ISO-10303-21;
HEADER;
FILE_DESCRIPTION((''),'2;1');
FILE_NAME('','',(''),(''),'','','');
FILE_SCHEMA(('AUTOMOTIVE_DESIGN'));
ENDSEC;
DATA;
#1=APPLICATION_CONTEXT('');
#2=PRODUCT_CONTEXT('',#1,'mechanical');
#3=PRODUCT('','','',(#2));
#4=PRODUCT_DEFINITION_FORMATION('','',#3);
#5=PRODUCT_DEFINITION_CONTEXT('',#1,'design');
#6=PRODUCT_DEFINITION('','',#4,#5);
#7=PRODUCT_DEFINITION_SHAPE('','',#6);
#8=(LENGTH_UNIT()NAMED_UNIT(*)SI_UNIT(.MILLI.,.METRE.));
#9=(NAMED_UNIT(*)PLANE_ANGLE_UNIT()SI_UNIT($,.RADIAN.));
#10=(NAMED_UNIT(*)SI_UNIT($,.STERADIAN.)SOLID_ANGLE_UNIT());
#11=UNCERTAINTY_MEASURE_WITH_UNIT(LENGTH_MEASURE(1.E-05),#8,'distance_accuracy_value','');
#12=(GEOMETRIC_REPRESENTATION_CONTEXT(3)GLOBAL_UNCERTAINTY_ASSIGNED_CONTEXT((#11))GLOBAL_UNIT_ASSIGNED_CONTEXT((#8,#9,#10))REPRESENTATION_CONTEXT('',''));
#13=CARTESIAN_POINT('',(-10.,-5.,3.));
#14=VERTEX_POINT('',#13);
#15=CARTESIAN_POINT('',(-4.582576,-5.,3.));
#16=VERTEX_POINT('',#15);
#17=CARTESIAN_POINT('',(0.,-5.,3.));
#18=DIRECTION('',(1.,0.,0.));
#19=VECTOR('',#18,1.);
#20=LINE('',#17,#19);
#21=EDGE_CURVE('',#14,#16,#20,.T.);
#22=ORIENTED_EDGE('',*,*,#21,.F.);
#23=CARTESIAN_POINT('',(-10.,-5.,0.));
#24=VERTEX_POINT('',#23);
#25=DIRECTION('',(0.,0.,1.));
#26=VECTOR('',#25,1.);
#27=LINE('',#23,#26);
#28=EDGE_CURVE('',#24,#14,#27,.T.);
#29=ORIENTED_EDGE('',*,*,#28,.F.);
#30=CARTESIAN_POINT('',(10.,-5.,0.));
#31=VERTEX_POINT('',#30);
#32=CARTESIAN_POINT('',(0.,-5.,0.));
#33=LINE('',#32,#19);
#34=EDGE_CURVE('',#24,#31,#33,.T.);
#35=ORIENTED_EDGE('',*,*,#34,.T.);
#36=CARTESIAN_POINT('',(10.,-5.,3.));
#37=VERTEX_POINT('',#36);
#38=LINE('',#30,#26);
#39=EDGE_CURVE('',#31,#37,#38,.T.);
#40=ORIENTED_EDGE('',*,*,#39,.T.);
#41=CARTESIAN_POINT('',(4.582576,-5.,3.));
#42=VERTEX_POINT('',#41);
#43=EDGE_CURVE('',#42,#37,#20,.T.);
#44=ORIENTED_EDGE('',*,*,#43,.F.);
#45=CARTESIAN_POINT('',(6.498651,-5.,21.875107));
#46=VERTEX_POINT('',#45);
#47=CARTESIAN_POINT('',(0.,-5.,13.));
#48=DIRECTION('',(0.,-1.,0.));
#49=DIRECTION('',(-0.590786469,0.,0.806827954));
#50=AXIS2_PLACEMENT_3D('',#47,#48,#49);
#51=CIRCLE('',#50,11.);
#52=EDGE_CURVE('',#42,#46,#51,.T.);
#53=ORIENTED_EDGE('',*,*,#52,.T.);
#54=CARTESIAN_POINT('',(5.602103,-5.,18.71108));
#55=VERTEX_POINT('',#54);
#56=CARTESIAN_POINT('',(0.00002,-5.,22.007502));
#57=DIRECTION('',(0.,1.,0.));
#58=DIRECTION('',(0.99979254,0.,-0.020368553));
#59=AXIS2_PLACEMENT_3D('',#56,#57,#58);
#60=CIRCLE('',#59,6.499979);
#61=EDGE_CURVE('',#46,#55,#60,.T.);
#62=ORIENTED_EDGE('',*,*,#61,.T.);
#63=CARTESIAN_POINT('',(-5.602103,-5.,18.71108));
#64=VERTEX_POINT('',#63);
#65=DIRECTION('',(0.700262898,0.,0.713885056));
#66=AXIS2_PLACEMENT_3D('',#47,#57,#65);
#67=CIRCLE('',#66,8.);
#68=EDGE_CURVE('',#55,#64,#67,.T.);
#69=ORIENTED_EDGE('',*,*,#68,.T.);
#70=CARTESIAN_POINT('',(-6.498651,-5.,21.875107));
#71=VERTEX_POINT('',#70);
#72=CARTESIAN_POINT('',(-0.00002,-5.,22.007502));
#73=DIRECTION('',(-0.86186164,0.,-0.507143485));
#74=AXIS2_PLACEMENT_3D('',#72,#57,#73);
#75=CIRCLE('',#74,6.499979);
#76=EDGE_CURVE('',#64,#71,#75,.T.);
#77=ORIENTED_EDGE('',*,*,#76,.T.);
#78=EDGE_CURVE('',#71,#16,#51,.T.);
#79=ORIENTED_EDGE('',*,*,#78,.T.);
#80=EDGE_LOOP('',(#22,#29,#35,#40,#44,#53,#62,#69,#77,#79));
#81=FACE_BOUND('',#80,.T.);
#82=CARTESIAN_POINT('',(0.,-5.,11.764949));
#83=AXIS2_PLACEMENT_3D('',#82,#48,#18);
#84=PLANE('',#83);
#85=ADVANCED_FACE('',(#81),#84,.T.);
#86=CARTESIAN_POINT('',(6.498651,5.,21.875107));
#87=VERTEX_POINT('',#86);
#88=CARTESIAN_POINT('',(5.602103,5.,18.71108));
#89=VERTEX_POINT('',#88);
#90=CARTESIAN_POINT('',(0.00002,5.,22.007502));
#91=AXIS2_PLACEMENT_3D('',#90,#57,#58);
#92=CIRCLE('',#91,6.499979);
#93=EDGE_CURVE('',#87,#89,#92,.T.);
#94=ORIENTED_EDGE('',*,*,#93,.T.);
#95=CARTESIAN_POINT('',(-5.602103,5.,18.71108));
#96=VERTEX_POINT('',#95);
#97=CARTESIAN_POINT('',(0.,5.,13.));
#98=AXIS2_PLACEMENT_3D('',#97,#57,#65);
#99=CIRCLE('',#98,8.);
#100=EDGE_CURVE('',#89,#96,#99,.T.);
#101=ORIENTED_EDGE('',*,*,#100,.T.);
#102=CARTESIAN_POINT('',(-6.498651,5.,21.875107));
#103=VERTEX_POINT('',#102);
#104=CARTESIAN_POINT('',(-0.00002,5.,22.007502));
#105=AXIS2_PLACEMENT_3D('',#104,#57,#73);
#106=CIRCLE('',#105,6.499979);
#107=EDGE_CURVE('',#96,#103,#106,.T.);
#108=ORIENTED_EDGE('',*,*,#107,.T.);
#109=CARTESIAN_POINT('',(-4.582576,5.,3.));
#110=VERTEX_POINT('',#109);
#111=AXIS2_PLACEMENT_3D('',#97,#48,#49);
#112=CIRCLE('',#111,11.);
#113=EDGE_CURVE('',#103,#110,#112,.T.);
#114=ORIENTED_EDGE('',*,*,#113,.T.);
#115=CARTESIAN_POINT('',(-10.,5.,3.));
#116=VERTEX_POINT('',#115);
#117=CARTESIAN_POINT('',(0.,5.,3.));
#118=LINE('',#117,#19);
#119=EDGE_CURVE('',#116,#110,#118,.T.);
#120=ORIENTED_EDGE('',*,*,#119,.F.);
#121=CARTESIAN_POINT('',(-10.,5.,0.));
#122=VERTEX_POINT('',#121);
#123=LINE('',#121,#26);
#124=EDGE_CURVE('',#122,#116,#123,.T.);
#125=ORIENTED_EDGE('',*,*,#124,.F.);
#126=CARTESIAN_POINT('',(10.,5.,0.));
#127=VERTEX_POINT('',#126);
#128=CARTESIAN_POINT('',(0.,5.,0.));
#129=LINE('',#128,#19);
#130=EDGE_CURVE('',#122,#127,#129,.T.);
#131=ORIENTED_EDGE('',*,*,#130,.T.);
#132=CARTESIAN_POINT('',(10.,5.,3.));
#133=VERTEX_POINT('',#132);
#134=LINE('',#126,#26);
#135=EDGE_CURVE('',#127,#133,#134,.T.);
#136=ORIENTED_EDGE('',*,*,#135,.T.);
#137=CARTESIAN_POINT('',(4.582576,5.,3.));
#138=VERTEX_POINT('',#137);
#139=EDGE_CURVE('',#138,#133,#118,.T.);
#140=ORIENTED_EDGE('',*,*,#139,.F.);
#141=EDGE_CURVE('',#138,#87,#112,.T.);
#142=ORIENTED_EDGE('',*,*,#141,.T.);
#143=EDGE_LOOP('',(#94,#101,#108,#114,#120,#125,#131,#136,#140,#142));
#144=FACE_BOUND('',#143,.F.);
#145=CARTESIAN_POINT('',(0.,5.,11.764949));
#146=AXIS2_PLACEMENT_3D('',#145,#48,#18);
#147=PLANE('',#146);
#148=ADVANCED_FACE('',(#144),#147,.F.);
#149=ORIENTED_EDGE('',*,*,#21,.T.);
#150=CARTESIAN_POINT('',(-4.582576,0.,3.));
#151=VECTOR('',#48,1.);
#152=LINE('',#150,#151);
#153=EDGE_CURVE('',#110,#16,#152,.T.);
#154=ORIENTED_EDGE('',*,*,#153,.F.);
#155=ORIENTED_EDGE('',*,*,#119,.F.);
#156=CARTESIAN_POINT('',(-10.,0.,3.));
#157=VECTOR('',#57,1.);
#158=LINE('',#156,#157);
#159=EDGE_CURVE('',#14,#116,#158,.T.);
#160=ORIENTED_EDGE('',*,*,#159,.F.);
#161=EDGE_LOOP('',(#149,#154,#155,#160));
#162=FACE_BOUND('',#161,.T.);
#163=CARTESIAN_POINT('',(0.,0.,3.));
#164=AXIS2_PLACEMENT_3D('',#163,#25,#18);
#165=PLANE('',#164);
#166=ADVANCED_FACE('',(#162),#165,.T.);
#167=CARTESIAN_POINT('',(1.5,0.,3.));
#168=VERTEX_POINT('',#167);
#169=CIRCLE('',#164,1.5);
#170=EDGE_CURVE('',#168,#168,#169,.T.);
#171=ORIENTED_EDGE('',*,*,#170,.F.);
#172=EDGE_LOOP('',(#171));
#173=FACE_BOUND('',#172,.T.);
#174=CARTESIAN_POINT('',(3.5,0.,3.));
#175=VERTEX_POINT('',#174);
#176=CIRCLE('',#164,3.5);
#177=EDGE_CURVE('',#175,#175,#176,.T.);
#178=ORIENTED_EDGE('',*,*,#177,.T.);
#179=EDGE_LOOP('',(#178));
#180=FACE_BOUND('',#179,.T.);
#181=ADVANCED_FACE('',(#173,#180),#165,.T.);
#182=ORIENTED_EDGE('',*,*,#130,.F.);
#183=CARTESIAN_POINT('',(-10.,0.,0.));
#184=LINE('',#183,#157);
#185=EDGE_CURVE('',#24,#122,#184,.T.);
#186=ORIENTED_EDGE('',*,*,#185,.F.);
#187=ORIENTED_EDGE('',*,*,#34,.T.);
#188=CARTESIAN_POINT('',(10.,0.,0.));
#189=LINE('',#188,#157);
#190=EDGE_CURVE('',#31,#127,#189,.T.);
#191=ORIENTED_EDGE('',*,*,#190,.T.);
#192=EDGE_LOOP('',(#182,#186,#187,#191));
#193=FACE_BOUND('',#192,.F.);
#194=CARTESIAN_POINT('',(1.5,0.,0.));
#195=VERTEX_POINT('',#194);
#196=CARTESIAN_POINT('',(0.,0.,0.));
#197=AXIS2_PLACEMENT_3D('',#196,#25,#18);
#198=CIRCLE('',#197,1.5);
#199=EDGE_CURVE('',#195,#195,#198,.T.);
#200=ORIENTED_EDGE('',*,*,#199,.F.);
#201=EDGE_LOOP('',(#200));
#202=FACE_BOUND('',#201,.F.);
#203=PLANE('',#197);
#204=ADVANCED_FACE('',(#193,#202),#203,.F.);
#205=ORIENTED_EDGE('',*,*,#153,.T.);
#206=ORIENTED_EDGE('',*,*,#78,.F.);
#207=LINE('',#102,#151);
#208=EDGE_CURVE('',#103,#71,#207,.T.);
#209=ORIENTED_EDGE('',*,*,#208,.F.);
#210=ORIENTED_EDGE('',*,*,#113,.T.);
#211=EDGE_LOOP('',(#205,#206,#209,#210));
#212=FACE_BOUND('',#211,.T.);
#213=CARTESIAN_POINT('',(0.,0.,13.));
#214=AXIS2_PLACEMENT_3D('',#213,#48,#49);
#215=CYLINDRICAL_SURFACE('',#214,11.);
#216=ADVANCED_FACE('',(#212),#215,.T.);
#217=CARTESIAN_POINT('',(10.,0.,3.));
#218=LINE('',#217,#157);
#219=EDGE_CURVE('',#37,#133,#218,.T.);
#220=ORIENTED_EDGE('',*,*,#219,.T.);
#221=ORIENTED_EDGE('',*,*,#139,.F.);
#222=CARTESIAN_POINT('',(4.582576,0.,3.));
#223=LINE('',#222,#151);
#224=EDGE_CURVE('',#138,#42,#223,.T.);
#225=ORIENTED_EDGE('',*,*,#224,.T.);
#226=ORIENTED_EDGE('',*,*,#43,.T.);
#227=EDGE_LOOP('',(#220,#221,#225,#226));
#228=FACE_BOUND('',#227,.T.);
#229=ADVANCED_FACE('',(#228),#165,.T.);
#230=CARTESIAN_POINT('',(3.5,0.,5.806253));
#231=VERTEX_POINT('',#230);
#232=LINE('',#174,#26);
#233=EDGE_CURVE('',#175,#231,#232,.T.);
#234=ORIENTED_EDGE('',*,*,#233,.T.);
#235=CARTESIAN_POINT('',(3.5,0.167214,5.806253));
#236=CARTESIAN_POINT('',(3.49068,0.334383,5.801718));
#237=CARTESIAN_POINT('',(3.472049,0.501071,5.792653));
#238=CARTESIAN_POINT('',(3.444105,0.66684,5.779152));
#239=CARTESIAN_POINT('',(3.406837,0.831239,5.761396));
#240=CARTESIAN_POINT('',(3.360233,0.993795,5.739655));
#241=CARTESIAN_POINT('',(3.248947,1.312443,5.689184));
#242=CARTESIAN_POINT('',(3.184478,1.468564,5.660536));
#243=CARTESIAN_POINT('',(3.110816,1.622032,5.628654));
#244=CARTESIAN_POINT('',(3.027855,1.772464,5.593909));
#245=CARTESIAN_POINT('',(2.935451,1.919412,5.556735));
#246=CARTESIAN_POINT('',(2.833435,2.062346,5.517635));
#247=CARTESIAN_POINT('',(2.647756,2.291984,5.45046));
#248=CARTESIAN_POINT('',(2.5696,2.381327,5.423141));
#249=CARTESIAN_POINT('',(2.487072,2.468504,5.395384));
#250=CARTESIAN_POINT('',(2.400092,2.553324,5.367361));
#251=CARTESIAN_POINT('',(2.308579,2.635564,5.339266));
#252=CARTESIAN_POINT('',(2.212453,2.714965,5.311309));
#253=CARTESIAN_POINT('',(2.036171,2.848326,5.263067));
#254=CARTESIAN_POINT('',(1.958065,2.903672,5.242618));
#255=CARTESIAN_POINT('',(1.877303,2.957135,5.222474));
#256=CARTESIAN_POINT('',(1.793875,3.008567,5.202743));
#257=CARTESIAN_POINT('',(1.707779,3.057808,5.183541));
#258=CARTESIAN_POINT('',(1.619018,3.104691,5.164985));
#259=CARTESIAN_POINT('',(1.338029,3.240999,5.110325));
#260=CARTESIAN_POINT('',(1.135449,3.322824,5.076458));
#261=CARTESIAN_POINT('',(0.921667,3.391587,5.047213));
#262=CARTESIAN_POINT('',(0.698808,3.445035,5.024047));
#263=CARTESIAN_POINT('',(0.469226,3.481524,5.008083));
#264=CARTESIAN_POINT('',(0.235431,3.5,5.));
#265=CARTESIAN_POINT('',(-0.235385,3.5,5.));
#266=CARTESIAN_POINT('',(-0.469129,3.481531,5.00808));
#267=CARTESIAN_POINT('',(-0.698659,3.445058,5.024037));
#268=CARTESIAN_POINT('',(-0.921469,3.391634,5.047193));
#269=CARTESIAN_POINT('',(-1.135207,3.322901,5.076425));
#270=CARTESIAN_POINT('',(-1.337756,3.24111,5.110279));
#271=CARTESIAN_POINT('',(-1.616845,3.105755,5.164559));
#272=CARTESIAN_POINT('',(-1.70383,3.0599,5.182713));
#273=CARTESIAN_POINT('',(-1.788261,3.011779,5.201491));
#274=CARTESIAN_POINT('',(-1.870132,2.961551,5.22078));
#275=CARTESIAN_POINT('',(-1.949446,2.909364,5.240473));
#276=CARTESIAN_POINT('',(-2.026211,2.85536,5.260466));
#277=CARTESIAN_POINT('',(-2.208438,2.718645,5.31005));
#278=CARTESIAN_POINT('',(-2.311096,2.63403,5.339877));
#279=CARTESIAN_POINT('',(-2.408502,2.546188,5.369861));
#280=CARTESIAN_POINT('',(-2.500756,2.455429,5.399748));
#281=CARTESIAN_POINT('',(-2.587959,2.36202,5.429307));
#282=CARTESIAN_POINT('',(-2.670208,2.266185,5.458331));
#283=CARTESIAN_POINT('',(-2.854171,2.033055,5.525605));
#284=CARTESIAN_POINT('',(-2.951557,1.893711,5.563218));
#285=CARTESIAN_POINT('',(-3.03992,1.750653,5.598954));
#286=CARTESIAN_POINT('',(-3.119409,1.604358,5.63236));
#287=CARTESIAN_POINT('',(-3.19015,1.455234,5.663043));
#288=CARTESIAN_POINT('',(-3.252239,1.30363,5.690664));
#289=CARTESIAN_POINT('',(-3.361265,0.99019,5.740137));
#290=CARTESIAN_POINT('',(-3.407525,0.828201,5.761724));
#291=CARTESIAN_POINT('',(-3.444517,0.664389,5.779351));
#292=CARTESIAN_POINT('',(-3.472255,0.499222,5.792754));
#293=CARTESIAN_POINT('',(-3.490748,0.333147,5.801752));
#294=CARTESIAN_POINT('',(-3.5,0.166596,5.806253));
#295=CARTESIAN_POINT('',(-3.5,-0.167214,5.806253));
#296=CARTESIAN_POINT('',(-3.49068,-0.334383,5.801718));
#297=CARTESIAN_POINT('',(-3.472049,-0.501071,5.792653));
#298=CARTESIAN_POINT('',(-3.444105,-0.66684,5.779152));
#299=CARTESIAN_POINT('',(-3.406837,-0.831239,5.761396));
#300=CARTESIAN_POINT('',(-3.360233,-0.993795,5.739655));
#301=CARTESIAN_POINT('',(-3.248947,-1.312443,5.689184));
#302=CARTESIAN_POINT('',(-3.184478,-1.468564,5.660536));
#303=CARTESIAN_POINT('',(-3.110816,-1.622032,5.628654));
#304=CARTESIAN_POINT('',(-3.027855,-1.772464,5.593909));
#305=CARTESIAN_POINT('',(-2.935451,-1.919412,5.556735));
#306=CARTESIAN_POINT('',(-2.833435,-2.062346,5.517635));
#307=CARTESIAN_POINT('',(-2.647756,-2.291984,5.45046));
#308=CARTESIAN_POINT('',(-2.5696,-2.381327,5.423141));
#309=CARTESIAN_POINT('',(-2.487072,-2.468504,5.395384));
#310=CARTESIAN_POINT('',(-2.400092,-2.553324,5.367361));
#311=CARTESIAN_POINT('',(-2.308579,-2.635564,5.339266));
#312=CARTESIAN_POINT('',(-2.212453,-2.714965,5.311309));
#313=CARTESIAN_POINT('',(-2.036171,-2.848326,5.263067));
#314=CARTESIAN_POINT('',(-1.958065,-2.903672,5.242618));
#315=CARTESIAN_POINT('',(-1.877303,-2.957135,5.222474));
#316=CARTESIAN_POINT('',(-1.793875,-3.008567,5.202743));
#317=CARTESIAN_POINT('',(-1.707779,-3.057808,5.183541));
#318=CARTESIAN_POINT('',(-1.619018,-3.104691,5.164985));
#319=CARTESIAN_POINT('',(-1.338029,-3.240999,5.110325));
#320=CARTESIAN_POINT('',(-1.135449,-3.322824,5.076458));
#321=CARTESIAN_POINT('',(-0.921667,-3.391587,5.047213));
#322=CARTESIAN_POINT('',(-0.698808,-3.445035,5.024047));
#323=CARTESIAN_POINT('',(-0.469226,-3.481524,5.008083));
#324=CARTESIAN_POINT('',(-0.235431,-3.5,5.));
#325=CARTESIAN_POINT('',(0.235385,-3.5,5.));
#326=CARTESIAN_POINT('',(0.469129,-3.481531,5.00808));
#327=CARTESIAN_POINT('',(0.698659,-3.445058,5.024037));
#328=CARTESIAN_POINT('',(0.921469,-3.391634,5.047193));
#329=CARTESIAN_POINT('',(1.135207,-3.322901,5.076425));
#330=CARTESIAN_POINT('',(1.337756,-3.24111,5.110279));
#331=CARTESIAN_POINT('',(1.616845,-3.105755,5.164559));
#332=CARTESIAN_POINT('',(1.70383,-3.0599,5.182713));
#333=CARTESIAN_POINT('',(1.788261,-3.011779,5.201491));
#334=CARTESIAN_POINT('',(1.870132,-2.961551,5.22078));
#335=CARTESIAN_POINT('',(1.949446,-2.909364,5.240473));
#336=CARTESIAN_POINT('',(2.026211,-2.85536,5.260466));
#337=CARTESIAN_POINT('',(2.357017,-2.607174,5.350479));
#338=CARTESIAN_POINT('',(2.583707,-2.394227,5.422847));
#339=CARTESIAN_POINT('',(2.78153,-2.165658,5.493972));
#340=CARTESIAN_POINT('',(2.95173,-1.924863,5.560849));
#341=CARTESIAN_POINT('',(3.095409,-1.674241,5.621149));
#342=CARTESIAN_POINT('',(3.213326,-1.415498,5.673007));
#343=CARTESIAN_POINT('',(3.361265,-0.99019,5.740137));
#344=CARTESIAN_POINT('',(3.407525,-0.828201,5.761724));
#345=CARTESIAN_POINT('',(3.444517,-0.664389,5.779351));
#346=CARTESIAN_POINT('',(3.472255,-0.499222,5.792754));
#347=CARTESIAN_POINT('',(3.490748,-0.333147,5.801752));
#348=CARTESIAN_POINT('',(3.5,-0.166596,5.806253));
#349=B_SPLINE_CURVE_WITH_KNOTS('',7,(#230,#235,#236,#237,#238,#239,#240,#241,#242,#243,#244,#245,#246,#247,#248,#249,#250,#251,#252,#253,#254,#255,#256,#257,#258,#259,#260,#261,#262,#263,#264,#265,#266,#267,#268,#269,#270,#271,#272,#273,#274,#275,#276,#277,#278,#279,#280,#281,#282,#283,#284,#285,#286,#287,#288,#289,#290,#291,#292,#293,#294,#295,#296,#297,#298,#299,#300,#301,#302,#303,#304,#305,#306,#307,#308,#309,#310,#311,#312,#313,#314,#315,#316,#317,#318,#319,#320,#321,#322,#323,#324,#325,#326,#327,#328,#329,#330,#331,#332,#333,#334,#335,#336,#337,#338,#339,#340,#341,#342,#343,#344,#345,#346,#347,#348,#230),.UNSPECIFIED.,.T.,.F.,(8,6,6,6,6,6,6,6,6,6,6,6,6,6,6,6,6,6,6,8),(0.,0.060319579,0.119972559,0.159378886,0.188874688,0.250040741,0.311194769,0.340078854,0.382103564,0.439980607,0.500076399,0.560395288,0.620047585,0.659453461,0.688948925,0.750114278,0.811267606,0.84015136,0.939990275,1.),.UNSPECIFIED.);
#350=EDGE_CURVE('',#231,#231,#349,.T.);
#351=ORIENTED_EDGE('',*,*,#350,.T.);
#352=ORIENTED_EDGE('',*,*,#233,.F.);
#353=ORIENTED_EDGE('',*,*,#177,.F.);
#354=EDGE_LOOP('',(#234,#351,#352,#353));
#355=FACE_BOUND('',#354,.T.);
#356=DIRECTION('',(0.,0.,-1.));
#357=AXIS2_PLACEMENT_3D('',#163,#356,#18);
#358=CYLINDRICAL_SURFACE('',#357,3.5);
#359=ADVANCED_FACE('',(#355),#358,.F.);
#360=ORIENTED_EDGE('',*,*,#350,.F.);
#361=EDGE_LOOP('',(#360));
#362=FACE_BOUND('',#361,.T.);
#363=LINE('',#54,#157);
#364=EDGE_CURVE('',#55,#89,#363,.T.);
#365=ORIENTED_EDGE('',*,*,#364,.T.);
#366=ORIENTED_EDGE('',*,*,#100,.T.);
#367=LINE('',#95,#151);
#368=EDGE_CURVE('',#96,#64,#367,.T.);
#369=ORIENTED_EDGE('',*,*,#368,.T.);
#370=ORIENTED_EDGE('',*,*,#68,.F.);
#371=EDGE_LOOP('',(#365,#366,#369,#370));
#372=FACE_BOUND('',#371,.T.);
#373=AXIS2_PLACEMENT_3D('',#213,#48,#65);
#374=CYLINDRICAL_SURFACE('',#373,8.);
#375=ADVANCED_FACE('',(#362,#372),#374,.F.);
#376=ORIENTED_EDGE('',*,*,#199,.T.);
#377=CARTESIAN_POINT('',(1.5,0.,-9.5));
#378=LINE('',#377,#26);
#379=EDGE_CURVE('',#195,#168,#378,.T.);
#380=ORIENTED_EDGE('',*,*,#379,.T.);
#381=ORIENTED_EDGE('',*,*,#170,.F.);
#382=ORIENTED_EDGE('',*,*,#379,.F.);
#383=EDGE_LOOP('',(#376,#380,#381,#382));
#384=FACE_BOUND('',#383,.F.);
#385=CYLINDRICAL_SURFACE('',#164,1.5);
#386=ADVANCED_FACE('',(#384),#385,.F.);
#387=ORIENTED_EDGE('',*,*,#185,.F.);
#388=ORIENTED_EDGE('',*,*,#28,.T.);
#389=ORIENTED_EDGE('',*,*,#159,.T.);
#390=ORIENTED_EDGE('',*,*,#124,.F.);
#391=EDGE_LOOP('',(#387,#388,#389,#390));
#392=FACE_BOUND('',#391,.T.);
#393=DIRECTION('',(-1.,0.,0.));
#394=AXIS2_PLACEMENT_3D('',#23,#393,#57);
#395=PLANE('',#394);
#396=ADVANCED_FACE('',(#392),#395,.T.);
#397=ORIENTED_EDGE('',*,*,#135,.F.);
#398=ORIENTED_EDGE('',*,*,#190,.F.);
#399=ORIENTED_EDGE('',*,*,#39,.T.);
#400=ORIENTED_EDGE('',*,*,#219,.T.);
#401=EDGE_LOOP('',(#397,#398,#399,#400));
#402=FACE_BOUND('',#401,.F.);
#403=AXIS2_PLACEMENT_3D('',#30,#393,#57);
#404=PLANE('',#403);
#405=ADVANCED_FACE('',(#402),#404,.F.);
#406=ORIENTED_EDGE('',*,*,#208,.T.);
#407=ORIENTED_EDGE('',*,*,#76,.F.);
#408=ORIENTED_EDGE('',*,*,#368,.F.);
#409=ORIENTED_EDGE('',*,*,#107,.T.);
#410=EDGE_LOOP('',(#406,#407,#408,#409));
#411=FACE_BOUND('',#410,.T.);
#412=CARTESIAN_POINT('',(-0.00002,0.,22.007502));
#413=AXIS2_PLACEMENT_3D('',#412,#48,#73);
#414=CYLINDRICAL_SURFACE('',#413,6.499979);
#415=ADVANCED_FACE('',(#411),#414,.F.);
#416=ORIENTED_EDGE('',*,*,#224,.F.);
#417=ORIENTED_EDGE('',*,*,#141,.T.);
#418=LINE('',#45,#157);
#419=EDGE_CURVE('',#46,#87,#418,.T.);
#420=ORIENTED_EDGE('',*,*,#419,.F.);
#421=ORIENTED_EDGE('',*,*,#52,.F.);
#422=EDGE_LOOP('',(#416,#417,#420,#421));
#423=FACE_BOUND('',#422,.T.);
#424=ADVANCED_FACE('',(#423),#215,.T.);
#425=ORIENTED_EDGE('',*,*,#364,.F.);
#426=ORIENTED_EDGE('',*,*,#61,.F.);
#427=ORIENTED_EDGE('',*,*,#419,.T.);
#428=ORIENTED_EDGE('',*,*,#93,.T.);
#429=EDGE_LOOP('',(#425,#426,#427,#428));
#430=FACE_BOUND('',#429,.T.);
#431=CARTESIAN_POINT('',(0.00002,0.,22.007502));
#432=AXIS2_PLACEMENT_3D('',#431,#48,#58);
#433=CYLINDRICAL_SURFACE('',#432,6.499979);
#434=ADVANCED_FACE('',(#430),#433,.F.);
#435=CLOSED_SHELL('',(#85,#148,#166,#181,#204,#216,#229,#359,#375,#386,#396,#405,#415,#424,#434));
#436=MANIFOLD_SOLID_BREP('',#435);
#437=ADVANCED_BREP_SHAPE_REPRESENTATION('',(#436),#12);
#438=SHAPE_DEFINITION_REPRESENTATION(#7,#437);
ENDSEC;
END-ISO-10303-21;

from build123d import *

# Parameters (mm, degrees)
F0_W     = 20
F0_H     = 10
F1_DEPTH = 3
F3_DEPTH = 5
F4_R     = 1.5
F5_DEPTH = 12.5
F6_R     = 3.5
F7_DEPTH = 25


with BuildPart() as f1:
    # F0 (on Top) → F1 (new body)
    with BuildSketch(Plane.XY):
        Rectangle(F0_W, F0_H)
    extrude(amount=F1_DEPTH)

    # F2 (on Front) → F3 (join, symmetric)
    with BuildSketch(Plane.XZ):
        with BuildLine():
            ThreePointArc((5.602103, 18.71108), (0, 5), (-5.602103, 18.71108))
            ThreePointArc((-5.602103, 18.71108), (-6.253786, 20.235457), (-6.498651, 21.875107))
            ThreePointArc((-6.498651, 21.875107), (0, 2), (6.498651, 21.875107))
            ThreePointArc((6.498651, 21.875107), (6.253786, 20.235457), (5.602103, 18.71108))
        make_face()
    extrude(amount=F3_DEPTH, both=True)

    # F4 (on face) → F5 (cut, symmetric)
    with BuildSketch(Plane.XY.offset(3)):
        Circle(F4_R)
    extrude(amount=F5_DEPTH, both=True, mode=Mode.SUBTRACT)

    # F6 (on face) → F7 (cut)
    with BuildSketch(Plane.XY.offset(3)):
        Circle(F6_R)
    extrude(amount=F7_DEPTH, mode=Mode.SUBTRACT)


solid = f1.part
